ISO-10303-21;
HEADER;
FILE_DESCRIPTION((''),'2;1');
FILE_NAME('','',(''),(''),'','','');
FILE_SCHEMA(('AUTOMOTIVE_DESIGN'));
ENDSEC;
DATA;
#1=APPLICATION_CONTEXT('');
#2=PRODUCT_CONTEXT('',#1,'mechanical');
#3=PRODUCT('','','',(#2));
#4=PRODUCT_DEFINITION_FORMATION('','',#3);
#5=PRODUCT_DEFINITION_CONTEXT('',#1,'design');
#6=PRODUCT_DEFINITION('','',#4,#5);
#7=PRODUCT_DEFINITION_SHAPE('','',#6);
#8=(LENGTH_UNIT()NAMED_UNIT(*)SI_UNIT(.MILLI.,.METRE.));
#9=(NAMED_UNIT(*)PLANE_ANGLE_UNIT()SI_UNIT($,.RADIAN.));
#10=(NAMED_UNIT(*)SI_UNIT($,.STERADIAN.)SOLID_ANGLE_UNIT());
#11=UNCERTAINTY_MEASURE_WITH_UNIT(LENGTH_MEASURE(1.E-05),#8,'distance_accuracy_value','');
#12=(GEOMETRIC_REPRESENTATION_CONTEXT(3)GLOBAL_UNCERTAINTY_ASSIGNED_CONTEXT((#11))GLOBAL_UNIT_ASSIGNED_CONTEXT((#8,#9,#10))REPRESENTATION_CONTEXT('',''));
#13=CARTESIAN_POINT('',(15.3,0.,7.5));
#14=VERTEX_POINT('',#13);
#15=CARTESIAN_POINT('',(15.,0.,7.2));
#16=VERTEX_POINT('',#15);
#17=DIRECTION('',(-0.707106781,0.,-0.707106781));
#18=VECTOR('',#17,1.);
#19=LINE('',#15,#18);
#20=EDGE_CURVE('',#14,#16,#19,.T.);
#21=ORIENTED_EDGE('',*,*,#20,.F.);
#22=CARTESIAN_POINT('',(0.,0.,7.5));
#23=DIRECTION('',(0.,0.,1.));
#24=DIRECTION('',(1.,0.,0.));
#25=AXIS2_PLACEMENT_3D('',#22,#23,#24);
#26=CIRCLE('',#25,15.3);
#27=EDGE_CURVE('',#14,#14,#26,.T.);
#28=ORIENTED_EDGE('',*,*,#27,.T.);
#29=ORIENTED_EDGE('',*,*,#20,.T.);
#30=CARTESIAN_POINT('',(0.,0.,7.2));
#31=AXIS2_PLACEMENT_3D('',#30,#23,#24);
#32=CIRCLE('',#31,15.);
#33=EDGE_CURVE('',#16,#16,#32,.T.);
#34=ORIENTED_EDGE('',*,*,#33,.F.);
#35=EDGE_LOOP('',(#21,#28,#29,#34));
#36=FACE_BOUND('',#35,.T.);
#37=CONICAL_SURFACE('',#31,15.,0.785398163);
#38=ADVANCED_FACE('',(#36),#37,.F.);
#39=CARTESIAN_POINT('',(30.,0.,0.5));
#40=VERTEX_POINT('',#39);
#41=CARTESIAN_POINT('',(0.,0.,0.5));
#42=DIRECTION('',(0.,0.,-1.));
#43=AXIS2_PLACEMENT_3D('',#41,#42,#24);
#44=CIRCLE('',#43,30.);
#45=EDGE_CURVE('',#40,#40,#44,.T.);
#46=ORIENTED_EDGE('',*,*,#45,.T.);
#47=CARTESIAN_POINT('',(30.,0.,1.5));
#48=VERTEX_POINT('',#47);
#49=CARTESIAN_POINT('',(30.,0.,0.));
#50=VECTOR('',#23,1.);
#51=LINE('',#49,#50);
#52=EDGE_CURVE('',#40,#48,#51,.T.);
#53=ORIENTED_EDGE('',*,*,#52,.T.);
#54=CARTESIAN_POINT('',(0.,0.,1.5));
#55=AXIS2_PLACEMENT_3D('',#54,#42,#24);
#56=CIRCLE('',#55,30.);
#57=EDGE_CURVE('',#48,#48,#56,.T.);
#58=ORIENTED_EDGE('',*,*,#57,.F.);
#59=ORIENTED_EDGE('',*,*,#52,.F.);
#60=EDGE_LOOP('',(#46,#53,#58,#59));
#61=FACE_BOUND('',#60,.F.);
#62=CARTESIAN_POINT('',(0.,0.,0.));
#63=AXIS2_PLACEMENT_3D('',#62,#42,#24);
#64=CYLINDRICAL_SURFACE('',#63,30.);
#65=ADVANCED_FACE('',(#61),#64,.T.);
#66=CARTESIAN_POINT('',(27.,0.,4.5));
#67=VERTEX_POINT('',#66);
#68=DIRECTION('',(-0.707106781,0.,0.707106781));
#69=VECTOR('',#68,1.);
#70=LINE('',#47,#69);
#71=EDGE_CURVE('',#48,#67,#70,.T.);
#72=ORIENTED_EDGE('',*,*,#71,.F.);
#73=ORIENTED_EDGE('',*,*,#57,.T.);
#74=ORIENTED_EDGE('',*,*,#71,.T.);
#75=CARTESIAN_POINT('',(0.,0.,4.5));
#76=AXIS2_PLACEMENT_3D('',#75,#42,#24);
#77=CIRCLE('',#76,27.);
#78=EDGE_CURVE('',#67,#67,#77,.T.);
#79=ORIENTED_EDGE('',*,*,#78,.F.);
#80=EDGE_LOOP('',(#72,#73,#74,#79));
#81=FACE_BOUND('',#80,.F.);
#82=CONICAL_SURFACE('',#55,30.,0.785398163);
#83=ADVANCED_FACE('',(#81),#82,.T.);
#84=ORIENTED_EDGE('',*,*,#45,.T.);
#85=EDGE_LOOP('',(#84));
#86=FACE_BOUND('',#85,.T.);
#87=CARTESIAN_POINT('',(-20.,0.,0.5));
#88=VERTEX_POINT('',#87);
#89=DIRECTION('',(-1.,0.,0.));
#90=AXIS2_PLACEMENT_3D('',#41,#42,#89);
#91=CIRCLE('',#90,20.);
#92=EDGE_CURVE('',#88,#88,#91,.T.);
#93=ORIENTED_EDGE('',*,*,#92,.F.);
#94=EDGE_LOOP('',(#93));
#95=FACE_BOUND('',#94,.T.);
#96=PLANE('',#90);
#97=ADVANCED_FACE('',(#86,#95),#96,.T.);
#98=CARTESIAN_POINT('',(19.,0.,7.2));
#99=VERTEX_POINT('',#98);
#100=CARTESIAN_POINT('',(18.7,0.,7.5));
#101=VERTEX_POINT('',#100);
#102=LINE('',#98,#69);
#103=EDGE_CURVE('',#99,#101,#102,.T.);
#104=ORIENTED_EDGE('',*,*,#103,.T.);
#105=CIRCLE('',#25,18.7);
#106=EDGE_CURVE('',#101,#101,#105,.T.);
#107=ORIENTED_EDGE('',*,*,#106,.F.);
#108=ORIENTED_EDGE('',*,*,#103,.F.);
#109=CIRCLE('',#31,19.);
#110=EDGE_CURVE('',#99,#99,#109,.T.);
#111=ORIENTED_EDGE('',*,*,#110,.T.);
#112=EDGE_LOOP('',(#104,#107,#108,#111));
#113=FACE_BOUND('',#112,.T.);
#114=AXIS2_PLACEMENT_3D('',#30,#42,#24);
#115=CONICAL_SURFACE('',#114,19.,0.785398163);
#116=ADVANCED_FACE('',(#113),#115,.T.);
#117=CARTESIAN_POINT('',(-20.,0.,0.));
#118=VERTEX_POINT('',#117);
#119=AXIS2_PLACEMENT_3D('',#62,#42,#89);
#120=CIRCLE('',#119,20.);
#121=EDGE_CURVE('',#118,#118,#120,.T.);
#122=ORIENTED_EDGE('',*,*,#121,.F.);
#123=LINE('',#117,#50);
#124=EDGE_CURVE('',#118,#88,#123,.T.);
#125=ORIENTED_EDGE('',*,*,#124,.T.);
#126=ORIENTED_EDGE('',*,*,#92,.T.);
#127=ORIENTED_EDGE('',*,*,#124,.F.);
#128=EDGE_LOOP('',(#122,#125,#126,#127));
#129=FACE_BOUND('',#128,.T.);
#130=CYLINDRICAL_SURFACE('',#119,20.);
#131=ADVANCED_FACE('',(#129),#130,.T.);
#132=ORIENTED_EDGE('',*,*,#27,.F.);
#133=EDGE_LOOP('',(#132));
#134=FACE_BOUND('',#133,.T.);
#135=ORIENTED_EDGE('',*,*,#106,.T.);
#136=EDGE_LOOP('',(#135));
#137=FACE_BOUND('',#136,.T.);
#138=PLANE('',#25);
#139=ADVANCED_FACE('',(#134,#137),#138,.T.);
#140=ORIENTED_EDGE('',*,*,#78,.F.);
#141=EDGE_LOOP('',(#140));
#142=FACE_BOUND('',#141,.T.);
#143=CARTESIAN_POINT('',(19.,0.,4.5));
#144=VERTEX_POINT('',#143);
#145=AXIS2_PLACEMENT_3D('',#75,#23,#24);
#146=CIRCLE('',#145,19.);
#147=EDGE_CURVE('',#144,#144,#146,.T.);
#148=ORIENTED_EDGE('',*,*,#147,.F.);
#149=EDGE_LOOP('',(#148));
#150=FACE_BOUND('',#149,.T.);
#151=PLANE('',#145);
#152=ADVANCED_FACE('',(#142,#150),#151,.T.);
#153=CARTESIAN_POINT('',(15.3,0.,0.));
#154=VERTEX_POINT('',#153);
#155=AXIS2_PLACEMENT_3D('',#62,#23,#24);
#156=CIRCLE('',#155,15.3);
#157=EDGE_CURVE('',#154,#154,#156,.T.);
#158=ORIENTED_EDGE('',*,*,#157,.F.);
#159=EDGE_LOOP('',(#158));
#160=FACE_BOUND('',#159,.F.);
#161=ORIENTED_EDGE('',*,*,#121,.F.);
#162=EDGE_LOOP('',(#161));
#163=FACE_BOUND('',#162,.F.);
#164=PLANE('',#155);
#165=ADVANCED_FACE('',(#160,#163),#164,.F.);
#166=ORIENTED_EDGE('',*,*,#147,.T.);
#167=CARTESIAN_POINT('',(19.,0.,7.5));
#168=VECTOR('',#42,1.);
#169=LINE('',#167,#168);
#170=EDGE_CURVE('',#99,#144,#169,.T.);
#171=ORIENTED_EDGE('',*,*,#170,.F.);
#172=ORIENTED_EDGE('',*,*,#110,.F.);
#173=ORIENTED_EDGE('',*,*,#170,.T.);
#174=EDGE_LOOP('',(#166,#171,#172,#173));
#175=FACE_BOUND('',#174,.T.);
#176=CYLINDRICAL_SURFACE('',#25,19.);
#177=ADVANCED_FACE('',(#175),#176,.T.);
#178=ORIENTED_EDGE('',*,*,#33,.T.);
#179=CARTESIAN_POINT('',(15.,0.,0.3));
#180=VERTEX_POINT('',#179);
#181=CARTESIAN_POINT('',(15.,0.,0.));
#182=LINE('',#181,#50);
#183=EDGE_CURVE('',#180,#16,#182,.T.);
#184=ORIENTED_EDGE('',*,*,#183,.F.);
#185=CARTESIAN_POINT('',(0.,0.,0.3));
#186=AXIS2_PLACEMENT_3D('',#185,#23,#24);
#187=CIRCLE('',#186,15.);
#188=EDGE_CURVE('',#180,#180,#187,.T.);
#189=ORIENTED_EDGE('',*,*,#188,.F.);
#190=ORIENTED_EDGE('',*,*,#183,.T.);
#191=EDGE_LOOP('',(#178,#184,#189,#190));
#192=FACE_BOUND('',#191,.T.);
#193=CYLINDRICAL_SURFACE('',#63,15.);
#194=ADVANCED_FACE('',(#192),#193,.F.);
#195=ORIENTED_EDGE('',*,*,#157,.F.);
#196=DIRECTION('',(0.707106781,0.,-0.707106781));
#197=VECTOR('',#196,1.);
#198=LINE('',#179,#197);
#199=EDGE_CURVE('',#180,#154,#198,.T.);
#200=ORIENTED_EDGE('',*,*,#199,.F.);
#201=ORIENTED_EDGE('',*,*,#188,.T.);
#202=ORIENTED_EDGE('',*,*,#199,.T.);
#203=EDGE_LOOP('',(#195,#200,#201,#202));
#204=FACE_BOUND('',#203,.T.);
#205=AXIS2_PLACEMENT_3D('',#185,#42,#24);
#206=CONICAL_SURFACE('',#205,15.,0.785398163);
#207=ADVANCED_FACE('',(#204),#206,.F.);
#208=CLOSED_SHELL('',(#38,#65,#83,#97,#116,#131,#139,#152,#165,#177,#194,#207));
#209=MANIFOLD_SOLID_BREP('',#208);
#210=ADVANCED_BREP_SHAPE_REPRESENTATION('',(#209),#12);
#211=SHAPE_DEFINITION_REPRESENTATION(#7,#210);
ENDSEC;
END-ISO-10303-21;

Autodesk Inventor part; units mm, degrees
ref_plane "YZ Plane" through (0, 0, 0) normal (1, 0, 0) x (0, 1, 0)
ref_plane "XZ Plane" through (0, 0, 0) normal (0, 1, 0) x (-1, 0, 0)
ref_plane "XY Plane" through (0, 0, 0) normal (0, 0, 1) x (1, 0, 0)
sketch "草圖1" plane through (0, 0, 0) normal (0, 0, 1) x (1, 0, 0)
  circle A0 centre (0, 0) radius 30
  circle A1 centre (0, 0) radius 15
  dimension "d0" = 60
  dimension "d1" = 30
extrude "擠出1" add sketch "草圖1" along normal blind 7.5
sketch "草圖2" plane through (0, 0, 0) normal (0, 0, -1) x (-1, 0, 0)
  circle A0 centre (0, 0) radius 20
  circle A1 centre (0, 0) radius 34.9484
  dimension "d4" = 40
extrude "擠出2" cut sketch "草圖2" against normal blind 0.5
sketch "草圖3" plane through (0, 0, 7.5) normal (0, 0, 1) x (1, 0, 0)
  circle A0 centre (0, 0) radius 19
  circle A1 centre (0, 0) radius 30.8877
  dimension "d7" = 38
extrude "擠出3" cut sketch "草圖3" against normal blind 3
chamfer "倒角1" distance 3 angle 45 1 edges at (-30, 0, 4.5)
chamfer "倒角2" distance 0.3 angle 45 2 edges at (-15, 0, 7.5) (-19, 0, 7.5)
chamfer "倒角3" distance 0.3 angle 45 1 edges at (-15, 0, 0)
properties part number "KMB601機械油封墊片(T=7.5-外徑60)"
